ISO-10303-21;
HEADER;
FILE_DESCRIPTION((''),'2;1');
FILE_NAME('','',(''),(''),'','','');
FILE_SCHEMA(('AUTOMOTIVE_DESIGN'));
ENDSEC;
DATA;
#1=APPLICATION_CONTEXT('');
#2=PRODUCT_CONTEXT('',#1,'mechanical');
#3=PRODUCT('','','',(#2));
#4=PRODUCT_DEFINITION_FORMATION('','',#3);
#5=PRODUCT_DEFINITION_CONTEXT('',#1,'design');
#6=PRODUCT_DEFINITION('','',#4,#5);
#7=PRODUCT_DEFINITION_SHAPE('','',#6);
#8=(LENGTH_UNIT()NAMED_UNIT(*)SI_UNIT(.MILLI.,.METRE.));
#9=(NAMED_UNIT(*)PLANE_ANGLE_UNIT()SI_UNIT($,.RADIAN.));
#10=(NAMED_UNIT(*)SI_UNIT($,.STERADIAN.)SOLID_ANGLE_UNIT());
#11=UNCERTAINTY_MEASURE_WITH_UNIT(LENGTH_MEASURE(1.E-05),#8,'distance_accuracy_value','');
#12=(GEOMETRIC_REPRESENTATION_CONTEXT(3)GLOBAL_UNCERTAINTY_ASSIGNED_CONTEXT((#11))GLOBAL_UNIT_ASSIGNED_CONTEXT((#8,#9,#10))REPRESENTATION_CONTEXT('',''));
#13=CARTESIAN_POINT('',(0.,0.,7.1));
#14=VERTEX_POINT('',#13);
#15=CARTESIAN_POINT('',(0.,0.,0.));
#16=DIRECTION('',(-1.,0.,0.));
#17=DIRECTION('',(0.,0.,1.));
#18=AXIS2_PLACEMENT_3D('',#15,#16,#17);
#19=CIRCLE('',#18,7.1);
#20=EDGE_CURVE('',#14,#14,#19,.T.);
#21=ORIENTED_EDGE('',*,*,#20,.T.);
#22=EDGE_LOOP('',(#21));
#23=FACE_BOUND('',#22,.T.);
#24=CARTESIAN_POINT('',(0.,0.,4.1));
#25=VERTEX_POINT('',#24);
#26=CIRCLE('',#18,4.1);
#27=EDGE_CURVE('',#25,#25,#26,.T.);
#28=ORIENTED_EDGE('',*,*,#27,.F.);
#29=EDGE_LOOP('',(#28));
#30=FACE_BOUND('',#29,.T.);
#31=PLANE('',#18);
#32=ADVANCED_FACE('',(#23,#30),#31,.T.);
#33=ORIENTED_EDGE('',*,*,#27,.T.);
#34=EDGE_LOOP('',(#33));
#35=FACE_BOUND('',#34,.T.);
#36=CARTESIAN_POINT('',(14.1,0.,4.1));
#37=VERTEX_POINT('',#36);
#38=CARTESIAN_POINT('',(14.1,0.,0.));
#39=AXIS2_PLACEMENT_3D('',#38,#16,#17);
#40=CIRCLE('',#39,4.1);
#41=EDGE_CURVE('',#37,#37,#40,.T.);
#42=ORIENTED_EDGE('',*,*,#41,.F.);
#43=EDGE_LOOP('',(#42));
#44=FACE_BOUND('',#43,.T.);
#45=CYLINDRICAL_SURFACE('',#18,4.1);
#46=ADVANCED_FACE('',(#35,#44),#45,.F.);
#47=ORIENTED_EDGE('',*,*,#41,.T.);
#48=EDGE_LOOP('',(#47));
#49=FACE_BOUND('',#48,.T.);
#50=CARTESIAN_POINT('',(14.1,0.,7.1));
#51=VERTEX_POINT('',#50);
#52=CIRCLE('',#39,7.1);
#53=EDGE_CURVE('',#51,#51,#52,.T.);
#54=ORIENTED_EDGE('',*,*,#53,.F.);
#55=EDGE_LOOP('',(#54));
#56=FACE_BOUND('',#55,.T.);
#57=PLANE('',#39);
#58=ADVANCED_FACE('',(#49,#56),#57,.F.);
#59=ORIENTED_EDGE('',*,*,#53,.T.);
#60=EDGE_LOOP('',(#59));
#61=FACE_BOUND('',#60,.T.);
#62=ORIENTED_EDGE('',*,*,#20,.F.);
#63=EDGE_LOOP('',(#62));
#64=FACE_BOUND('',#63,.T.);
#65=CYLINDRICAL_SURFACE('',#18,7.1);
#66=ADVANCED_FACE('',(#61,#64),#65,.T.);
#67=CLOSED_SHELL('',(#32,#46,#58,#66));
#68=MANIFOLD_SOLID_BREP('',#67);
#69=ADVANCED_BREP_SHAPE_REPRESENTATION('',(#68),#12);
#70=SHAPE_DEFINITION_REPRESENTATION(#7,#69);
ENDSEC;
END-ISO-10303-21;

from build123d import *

# Parameters (mm, degrees)
SKETCH1_W = 14.1
SKETCH1_H = 3


with BuildPart() as part:
    # Sketch1 → Revolve1 (revolve)
    with BuildSketch(Plane(origin=(0, 0, 0), x_dir=(1, 0, 0), z_dir=(0, 1, 0))):
        with Locations((7.05, -5.6)):
            Rectangle(SKETCH1_W, SKETCH1_H)
    revolve(axis=Axis((0, 0, 0), (1, 0, 0)))


solid = part.part
